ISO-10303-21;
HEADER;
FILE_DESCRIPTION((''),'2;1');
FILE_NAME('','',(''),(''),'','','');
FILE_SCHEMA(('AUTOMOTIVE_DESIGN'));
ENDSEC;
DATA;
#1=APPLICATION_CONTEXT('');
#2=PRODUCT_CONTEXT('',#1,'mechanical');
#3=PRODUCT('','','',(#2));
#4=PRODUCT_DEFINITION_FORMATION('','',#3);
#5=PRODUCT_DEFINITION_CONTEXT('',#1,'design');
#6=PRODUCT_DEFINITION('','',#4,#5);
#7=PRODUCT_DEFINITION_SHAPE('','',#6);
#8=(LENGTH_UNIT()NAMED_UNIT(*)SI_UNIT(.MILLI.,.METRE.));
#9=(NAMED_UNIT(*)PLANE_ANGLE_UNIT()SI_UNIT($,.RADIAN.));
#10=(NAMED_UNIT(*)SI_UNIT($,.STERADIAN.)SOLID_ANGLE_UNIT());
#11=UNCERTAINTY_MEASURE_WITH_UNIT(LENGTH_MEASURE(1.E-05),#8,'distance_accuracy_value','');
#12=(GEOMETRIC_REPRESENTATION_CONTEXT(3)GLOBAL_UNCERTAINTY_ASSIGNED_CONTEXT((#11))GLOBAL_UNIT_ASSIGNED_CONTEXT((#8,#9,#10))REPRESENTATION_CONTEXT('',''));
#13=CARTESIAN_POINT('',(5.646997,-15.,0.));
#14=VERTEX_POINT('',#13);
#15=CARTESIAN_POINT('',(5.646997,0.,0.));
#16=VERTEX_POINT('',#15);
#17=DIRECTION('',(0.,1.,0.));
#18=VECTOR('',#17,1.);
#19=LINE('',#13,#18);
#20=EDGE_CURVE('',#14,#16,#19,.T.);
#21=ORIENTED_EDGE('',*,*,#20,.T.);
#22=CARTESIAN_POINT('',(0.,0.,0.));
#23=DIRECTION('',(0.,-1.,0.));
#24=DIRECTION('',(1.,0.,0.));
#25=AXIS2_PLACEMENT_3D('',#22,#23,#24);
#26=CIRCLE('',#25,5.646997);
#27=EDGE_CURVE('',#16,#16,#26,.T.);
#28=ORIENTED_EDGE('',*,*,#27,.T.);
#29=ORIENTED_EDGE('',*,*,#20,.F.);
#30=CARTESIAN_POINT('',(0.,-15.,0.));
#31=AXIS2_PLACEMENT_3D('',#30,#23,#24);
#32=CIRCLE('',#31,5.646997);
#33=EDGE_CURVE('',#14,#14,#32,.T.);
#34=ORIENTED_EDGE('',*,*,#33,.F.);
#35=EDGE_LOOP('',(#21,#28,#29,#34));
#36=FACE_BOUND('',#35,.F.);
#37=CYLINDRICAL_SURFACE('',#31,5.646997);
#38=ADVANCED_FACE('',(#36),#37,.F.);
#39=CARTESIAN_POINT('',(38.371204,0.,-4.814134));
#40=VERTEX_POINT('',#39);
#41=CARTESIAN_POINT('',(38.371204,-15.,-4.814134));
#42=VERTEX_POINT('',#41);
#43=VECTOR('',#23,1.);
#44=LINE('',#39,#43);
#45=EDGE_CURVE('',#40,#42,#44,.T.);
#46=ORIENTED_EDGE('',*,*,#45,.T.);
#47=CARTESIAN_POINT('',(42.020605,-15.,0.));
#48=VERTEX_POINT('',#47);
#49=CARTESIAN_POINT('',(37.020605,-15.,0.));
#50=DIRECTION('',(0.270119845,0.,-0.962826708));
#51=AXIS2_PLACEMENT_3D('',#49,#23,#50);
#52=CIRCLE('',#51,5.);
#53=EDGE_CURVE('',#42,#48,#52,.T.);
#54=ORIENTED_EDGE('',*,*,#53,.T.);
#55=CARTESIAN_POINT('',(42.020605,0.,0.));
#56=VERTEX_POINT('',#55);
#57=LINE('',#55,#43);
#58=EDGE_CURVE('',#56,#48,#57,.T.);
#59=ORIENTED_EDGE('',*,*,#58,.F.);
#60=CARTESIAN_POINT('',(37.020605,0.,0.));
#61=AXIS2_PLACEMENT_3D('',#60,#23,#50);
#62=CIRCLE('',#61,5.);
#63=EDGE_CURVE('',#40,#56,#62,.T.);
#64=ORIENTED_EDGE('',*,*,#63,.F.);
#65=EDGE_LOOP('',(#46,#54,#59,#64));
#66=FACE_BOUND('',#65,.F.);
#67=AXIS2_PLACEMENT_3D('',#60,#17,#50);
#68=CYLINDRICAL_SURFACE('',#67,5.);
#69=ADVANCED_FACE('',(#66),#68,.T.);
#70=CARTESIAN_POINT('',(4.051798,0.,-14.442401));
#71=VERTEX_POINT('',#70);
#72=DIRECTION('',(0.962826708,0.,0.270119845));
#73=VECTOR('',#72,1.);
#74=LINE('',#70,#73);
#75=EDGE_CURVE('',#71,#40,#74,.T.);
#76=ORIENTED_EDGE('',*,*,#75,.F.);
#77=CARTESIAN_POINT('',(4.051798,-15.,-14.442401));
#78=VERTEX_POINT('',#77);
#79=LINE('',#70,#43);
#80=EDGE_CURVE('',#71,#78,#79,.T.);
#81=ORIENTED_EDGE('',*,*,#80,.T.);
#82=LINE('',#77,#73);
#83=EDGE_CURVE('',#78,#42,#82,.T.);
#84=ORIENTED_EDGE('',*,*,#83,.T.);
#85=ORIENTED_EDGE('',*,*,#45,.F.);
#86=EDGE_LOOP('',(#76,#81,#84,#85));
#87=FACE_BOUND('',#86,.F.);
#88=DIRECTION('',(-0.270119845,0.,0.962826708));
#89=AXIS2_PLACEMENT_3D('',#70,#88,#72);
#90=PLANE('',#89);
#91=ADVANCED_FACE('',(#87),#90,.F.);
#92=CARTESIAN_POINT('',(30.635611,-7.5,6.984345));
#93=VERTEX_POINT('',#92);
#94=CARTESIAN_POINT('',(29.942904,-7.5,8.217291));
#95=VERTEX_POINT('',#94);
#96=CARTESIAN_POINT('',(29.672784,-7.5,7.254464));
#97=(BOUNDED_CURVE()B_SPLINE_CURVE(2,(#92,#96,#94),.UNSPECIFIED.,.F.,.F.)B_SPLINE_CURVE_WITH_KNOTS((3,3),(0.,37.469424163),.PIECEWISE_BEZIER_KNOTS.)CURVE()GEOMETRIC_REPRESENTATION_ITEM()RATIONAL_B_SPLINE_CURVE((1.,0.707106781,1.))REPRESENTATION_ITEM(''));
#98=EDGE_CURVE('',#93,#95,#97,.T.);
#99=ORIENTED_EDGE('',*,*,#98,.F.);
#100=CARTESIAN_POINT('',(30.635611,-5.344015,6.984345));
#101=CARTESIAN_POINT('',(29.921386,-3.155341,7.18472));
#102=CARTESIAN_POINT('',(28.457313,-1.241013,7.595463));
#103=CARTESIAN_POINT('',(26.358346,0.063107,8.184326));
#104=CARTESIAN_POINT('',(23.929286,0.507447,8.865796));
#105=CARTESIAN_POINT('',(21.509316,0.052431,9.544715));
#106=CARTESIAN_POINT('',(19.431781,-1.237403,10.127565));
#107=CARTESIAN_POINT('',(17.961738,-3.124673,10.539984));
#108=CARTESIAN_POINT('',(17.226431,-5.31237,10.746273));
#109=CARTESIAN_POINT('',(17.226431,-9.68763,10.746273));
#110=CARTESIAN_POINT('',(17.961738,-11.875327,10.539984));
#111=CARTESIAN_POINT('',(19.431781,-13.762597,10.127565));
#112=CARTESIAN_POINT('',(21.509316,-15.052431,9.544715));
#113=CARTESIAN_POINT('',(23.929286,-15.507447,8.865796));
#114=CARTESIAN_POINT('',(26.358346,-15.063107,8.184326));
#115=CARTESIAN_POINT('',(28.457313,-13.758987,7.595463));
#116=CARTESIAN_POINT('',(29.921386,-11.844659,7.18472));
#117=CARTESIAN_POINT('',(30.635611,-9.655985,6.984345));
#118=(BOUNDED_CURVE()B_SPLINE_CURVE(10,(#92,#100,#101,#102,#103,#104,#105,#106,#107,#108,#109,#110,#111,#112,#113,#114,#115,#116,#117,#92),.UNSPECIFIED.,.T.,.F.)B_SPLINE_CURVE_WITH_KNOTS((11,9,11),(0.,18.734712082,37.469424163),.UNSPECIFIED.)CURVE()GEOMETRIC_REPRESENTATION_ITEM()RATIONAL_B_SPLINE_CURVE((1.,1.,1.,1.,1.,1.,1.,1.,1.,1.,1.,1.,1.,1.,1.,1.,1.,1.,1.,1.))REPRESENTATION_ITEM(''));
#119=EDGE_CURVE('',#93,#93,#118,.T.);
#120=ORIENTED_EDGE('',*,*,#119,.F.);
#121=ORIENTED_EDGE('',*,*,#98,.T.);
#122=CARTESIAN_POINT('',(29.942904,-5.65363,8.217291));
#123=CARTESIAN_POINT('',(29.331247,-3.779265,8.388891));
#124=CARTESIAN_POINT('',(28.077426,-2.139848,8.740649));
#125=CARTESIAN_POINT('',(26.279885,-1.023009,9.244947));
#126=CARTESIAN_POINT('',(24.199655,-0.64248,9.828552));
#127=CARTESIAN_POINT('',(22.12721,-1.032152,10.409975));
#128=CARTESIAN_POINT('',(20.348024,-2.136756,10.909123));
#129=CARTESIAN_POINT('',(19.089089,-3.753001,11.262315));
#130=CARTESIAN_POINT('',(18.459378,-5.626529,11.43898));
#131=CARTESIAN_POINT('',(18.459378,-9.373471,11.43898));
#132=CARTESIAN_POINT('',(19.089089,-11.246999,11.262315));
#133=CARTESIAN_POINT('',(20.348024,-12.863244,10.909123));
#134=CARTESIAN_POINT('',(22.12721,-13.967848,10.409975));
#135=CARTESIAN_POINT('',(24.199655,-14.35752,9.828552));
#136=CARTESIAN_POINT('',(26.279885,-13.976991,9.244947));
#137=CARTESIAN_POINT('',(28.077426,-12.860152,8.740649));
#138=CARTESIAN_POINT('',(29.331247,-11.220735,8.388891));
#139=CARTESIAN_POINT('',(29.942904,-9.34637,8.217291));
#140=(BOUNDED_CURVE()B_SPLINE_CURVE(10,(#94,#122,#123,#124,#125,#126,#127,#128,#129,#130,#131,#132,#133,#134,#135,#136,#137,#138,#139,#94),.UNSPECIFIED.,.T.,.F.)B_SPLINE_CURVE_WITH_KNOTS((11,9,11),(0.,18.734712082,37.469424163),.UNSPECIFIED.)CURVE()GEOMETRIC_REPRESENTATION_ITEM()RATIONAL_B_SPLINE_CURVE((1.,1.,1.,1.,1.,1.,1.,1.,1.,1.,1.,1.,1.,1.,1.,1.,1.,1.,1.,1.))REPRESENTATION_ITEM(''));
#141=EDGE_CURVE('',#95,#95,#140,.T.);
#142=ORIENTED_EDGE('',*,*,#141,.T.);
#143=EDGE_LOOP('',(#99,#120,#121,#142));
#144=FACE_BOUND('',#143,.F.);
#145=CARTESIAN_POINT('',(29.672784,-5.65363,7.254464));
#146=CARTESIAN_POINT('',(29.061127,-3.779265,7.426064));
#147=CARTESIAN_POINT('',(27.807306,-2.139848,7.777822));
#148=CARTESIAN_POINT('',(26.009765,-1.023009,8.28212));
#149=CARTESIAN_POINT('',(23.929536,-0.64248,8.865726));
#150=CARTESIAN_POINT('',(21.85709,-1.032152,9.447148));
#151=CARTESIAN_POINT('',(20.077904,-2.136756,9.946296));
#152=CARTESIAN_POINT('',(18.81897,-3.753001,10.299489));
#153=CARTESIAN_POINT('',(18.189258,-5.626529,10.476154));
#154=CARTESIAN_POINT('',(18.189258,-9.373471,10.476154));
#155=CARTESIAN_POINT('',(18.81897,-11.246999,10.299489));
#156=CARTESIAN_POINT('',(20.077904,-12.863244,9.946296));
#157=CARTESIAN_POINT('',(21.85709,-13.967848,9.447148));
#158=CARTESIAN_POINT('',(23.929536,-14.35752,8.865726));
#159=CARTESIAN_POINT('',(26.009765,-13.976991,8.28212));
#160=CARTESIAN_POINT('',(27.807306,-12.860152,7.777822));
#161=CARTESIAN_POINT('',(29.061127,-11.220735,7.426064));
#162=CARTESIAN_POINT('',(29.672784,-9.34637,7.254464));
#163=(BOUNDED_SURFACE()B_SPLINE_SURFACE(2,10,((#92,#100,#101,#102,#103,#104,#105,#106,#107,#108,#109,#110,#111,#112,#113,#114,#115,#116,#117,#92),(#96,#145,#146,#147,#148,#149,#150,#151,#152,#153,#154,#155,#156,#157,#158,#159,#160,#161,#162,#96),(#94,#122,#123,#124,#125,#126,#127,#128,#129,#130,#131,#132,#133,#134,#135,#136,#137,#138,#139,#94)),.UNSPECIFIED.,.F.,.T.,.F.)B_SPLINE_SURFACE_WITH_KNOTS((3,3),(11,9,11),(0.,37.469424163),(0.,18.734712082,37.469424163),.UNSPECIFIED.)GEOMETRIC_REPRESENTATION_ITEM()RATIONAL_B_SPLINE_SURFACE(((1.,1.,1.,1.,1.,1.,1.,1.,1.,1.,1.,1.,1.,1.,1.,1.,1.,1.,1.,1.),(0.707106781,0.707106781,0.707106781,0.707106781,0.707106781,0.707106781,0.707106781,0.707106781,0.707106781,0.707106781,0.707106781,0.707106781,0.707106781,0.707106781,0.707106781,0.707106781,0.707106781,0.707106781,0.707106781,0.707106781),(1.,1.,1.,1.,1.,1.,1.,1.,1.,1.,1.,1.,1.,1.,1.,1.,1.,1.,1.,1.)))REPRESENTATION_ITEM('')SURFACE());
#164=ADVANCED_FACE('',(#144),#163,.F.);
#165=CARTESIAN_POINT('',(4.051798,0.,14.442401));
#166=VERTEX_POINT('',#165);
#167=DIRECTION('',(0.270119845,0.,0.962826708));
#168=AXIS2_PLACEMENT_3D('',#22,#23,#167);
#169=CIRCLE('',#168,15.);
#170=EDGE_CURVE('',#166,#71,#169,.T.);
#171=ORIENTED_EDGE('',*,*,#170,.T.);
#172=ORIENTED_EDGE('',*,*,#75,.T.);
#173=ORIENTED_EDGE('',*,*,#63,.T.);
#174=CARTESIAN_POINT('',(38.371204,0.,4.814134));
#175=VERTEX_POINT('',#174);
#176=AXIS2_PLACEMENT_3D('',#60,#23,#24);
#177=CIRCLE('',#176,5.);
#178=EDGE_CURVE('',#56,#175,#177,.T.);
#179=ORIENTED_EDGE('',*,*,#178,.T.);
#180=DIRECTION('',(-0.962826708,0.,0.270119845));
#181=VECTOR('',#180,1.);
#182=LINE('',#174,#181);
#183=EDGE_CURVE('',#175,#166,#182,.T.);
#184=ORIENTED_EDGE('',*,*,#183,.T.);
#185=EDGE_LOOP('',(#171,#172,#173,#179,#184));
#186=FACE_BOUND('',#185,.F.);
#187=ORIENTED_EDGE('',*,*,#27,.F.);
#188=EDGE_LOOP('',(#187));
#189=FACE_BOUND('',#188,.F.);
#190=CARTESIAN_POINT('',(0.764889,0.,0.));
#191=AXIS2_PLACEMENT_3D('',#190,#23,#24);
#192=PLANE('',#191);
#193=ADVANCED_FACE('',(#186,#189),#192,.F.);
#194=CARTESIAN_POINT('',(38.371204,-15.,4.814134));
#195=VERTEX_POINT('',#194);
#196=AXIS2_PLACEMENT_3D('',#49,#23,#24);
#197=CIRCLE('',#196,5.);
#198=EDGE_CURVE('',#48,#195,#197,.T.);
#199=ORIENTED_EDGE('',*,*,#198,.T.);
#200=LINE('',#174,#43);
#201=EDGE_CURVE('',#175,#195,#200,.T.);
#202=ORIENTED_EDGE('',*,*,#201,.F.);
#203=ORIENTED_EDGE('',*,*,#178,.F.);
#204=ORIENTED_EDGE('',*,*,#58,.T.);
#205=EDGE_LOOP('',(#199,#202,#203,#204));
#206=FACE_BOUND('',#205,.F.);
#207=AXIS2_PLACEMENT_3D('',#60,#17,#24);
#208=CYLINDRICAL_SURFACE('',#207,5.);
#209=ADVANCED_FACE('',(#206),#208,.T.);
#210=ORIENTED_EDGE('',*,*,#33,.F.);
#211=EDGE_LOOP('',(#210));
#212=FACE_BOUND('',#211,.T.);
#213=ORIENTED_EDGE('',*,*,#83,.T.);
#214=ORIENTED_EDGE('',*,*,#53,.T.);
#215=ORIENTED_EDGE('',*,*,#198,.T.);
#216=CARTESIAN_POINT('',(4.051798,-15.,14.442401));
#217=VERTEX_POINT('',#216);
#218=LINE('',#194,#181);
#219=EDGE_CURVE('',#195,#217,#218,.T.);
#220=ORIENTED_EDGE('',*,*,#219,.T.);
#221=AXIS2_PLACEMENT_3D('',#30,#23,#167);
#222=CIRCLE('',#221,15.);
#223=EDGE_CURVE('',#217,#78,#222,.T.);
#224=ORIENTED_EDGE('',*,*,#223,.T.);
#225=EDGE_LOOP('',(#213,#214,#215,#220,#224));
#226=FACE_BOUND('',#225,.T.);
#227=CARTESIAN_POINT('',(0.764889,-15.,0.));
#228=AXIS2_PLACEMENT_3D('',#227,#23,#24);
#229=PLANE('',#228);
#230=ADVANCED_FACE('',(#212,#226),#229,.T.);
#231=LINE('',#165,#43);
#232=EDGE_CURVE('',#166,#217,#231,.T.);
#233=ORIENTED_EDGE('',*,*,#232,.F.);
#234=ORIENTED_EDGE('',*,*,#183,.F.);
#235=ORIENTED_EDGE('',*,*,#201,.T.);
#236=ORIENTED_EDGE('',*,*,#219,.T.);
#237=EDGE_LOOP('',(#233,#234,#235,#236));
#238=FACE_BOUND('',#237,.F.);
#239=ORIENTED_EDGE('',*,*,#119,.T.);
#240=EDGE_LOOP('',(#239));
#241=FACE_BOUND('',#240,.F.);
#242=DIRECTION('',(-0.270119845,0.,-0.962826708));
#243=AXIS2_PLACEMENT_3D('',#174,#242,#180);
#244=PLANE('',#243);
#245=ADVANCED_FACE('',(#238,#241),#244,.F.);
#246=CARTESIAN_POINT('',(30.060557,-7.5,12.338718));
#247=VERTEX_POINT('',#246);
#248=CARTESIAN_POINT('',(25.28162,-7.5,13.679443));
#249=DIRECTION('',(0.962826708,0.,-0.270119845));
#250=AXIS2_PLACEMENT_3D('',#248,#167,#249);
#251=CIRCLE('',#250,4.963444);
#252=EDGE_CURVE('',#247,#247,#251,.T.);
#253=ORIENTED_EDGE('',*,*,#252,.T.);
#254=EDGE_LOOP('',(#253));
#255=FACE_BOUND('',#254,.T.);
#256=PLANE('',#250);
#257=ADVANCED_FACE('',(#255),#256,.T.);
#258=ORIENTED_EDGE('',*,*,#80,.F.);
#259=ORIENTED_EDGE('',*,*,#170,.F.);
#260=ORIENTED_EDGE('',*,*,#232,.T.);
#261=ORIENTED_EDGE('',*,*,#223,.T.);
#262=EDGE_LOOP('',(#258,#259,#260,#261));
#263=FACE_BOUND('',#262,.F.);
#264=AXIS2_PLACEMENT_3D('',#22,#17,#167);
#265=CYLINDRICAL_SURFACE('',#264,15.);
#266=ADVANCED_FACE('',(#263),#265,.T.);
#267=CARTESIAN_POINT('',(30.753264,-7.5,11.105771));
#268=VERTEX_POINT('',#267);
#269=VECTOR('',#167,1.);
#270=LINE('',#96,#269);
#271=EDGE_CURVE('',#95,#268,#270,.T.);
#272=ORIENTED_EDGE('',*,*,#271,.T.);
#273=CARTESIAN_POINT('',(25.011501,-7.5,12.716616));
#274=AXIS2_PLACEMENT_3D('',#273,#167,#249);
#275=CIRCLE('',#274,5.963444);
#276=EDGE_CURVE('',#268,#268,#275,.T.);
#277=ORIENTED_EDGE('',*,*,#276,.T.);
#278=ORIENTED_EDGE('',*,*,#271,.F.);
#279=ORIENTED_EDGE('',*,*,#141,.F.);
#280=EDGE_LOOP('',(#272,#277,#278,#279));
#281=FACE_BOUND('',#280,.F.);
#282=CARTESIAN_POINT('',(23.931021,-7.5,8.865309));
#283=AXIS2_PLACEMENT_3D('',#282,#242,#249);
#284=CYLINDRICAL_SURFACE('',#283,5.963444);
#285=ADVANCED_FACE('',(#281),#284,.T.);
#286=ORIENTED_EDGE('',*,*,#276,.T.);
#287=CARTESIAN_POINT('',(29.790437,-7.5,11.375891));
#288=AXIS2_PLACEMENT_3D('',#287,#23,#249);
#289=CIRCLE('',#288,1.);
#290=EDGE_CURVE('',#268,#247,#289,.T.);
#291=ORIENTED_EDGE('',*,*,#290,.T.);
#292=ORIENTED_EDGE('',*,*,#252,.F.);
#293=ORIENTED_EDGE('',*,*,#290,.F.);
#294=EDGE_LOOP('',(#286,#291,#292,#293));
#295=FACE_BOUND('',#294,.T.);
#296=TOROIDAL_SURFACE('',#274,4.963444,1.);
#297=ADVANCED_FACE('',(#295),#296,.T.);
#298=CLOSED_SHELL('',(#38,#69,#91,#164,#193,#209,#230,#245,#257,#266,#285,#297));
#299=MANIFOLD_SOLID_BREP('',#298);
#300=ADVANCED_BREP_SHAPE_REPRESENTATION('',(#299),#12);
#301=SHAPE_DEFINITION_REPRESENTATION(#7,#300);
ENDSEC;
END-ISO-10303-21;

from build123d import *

# Parameters (mm, degrees)
F1_DEPTH = 15
F2_R     = 5.6469971394
F3_DEPTH = 16
F4_R     = 5.9634440704
F5_DEPTH = 5
F6_R     = 1


with BuildPart() as f1:
    # F0 (on Front) → F1 (new body)
    with BuildSketch(Plane.XZ):
        with BuildLine():
            ThreePointArc((4.051797674, -14.4424006179), (11.9535970551, -9.0615405669), (15, 0))
            ThreePointArc((15, 0), (11.9535970551, 9.0615405669), (4.051797674, 14.4424006179))
            ThreePointArc((4.051797674, 14.4424006179), (-15, 0), (4.051797674, -14.4424006179))
        make_face()
        with BuildLine():
            ThreePointArc((4.051797674, 14.4424006179), (11.9535970551, 9.0615405669), (15, 0))
            ThreePointArc((15, 0), (11.9535970551, -9.0615405669), (4.051797674, -14.4424006179))
            Line((4.051797674, -14.4424006179), (38.3712039217, -4.8141335393))
            ThreePointArc((38.3712039217, -4.8141335393), (32.0206046971, 0), (38.3712039217, 4.8141335393))
            Line((38.3712039217, 4.8141335393), (4.051797674, 14.4424006179))
        make_face()
        with BuildLine():
            ThreePointArc((42.0206046971, 0), (41.0051370488, 3.0205135223), (38.3712039217, 4.8141335393))
            ThreePointArc((38.3712039217, 4.8141335393), (32.0206046971, 0), (38.3712039217, -4.8141335393))
            ThreePointArc((38.3712039217, -4.8141335393), (41.0051370488, -3.0205135223), (42.0206046971, 0))
        make_face()
    extrude(amount=F1_DEPTH)

    # F2 (on face) → F3 (cut)
    with BuildSketch(Plane.XZ.offset(15)):
        Circle(F2_R)
    extrude(amount=-F3_DEPTH, mode=Mode.SUBTRACT)

    # F4 (on face) → F5 (join)
    with BuildSketch(Plane(origin=(4.051797674, 0, 14.4424006179), x_dir=(0.9628267079, 0, -0.2701198449), z_dir=(0.2701198449, 0, 0.9628267079))):
        with Locations((20.6467304379, -7.5)):
            Circle(F4_R)
    extrude(amount=F5_DEPTH)

    # F6
    f6_edges = [f1.edges().sort_by_distance(p)[0] for p in [
        (19.539857, -7.5, 15.290287),
        (18.189258, -7.5, 10.476154),
    ]]
    fillet(f6_edges, radius=F6_R)


solid = f1.part
